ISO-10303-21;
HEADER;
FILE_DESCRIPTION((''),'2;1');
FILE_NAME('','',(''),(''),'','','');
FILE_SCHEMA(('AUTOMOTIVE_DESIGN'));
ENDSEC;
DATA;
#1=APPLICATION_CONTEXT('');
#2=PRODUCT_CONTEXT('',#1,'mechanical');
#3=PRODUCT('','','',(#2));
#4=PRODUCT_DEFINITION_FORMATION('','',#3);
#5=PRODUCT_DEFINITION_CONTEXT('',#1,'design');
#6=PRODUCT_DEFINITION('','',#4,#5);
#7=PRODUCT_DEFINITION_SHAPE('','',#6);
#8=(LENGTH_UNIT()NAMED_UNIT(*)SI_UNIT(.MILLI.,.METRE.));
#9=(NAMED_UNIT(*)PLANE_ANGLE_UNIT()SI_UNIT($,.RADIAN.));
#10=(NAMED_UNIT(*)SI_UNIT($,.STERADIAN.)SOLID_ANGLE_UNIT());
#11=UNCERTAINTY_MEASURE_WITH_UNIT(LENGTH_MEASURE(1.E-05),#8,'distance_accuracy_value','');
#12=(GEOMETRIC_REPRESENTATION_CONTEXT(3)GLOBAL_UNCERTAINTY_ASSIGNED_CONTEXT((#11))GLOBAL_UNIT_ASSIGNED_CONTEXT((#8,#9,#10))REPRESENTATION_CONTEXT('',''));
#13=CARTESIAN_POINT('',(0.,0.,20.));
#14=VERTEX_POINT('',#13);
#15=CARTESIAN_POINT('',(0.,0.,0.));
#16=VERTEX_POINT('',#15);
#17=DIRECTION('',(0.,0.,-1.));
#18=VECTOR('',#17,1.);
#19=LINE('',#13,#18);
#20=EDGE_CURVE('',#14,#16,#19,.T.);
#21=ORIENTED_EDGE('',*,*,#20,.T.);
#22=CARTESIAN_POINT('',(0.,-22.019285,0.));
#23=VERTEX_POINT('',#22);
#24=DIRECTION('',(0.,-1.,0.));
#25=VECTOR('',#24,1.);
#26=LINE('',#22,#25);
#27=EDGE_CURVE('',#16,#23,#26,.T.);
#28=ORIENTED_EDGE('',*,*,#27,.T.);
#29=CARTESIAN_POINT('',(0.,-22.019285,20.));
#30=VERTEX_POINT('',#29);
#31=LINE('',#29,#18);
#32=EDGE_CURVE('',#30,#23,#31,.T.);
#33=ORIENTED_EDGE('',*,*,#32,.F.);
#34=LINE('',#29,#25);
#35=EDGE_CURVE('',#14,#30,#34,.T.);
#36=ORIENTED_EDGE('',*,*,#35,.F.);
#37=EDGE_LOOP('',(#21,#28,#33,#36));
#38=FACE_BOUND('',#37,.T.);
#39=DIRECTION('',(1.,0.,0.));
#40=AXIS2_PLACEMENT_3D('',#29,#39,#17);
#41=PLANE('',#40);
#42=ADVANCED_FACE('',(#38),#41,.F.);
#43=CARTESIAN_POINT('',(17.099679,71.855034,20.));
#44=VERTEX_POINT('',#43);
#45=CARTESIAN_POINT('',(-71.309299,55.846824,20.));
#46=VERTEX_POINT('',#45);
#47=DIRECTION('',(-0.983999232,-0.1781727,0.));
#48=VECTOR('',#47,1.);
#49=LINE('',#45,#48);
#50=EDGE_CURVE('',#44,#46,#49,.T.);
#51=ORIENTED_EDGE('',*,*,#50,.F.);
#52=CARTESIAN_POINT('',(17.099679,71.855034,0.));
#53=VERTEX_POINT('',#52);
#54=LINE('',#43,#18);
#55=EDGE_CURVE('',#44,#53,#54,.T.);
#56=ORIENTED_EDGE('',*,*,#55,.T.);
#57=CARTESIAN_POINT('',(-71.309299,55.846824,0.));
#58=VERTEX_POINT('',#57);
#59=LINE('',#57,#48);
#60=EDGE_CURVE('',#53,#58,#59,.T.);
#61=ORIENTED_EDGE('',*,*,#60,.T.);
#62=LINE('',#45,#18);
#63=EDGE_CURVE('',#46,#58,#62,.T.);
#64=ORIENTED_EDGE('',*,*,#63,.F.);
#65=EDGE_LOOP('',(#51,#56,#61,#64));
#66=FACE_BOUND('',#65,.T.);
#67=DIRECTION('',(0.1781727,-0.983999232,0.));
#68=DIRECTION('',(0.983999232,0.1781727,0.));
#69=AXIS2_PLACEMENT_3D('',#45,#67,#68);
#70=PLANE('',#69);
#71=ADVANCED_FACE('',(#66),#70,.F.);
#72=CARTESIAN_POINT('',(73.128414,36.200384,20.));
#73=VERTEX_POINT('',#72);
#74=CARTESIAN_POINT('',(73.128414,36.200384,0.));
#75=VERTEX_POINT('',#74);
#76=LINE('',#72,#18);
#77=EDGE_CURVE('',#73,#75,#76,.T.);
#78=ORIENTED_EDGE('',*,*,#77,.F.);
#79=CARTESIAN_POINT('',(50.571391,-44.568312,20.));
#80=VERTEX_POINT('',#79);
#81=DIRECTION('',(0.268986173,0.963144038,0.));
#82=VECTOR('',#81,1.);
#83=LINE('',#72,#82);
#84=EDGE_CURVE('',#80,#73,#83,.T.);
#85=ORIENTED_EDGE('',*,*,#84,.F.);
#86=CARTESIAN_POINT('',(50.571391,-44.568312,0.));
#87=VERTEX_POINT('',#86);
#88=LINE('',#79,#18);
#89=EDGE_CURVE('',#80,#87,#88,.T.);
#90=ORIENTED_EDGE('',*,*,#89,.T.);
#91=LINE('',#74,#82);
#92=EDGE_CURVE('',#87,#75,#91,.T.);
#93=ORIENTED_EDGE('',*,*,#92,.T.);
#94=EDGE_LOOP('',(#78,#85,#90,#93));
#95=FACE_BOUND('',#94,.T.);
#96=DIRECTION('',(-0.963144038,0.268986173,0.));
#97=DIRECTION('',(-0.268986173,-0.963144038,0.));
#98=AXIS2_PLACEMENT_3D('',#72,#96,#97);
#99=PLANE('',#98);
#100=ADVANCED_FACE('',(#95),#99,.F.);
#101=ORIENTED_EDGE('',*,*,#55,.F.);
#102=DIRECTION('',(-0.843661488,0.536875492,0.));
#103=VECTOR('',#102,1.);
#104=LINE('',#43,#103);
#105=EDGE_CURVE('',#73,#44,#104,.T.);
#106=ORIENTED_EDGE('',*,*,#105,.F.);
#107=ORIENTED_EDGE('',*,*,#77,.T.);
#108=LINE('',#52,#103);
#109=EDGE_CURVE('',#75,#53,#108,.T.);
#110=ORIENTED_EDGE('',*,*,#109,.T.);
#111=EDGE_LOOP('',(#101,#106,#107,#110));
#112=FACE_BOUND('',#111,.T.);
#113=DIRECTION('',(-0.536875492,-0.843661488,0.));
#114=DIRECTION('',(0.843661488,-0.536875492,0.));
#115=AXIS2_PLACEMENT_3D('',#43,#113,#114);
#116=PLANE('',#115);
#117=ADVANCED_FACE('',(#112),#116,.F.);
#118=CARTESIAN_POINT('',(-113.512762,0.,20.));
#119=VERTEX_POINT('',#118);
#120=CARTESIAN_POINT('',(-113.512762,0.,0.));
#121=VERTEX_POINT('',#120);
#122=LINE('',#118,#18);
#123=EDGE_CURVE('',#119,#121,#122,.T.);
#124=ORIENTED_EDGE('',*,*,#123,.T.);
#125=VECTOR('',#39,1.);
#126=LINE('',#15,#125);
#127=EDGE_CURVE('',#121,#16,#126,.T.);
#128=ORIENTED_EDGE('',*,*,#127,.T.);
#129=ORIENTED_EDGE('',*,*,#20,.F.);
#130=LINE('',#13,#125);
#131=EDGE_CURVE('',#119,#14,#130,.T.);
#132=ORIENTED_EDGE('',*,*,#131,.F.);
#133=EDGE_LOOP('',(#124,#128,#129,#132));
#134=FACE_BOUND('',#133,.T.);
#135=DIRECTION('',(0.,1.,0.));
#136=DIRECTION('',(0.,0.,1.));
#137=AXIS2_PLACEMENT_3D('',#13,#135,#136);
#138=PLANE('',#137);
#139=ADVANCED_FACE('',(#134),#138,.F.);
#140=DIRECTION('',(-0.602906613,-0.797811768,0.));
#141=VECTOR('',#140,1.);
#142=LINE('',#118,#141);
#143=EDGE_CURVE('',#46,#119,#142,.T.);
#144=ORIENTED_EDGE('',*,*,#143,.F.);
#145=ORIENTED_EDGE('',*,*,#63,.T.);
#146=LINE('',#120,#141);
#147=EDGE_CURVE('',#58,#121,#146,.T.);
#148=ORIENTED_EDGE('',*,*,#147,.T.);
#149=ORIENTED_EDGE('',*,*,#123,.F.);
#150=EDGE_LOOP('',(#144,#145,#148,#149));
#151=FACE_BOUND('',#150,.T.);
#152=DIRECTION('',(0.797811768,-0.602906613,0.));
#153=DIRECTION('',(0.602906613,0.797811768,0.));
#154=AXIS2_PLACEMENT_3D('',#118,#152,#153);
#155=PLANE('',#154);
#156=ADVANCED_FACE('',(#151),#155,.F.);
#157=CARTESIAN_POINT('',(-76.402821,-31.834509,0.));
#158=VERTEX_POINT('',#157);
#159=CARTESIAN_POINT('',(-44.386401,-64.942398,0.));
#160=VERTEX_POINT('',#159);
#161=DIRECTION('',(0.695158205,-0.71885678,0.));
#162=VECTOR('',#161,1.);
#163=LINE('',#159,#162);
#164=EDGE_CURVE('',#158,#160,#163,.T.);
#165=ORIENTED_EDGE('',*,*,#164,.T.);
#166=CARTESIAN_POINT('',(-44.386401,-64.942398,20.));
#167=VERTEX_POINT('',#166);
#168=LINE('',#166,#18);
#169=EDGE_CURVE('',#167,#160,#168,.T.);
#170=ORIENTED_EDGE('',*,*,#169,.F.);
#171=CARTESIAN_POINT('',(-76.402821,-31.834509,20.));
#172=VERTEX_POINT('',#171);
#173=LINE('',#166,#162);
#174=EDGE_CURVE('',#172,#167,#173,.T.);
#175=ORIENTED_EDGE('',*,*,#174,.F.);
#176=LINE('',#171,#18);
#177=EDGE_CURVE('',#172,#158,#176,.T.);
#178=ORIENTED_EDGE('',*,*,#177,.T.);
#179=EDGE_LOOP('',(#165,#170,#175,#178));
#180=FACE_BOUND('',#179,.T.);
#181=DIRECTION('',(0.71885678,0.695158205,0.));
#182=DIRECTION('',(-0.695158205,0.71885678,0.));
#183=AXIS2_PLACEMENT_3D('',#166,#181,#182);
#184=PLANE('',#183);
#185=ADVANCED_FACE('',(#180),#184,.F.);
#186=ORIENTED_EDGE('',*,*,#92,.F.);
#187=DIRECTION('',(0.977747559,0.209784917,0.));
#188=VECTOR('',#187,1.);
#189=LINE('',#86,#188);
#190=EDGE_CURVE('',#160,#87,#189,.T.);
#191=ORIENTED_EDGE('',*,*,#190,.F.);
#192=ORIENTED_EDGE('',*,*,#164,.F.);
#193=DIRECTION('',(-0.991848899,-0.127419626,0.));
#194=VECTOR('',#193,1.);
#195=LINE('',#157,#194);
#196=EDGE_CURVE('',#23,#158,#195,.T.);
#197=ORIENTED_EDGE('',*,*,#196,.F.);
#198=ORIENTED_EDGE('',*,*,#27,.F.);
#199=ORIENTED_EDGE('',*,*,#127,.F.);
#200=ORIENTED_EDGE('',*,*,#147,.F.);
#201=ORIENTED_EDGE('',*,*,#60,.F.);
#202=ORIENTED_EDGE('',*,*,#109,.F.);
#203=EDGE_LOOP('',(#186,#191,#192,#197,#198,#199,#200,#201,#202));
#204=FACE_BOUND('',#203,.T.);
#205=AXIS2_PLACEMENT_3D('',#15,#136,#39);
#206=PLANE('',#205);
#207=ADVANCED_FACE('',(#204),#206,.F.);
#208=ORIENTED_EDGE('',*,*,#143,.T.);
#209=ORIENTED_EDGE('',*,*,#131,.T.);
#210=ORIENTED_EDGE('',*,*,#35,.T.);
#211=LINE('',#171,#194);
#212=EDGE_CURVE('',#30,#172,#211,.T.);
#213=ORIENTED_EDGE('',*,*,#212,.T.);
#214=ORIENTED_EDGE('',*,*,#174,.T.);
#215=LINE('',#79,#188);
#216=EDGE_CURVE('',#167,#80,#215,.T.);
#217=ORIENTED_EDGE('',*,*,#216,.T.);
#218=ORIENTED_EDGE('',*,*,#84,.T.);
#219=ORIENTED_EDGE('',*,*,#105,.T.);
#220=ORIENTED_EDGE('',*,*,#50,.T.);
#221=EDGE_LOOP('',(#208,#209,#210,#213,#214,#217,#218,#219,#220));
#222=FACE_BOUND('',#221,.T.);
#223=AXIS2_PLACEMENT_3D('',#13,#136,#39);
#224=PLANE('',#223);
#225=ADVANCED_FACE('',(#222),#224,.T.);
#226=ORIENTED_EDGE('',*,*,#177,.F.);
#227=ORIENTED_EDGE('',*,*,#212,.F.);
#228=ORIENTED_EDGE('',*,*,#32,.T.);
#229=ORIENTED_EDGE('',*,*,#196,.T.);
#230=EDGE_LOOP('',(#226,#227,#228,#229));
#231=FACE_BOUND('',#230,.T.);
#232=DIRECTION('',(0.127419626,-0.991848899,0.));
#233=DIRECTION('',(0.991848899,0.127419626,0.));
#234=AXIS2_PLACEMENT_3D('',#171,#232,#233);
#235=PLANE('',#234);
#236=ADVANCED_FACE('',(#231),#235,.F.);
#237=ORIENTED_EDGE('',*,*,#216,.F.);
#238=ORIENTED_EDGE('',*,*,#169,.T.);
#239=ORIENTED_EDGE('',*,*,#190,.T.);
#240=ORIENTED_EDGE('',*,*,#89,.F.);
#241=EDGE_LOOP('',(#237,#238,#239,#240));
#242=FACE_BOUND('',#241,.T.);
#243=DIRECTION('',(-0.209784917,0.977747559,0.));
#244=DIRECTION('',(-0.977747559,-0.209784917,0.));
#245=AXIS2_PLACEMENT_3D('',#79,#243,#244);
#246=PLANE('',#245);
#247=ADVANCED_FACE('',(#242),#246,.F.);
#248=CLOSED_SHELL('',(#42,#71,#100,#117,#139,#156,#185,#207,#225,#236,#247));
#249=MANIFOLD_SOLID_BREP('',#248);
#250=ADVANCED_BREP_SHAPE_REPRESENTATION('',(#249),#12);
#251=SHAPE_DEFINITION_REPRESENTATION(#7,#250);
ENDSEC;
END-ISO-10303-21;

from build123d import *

# Parameters (mm, degrees)
BOSS_EXTRUDE1_DEPTH = 20


with BuildPart() as part:
    # Sketch1 → Boss-Extrude1 (new body)
    with BuildSketch(Plane.XY):
        Polygon((0, 0), (-113.512762238, 0), (-71.309299355, 55.846823729), (17.099678927, 71.855033789), (73.128414134, 36.200384111), (50.571390869, -44.568312097), (-44.386400619, -64.942397627), (-76.402820737, -31.83450864), (0, -22.01928494), align=None)
    extrude(amount=BOSS_EXTRUDE1_DEPTH)


solid = part.part
